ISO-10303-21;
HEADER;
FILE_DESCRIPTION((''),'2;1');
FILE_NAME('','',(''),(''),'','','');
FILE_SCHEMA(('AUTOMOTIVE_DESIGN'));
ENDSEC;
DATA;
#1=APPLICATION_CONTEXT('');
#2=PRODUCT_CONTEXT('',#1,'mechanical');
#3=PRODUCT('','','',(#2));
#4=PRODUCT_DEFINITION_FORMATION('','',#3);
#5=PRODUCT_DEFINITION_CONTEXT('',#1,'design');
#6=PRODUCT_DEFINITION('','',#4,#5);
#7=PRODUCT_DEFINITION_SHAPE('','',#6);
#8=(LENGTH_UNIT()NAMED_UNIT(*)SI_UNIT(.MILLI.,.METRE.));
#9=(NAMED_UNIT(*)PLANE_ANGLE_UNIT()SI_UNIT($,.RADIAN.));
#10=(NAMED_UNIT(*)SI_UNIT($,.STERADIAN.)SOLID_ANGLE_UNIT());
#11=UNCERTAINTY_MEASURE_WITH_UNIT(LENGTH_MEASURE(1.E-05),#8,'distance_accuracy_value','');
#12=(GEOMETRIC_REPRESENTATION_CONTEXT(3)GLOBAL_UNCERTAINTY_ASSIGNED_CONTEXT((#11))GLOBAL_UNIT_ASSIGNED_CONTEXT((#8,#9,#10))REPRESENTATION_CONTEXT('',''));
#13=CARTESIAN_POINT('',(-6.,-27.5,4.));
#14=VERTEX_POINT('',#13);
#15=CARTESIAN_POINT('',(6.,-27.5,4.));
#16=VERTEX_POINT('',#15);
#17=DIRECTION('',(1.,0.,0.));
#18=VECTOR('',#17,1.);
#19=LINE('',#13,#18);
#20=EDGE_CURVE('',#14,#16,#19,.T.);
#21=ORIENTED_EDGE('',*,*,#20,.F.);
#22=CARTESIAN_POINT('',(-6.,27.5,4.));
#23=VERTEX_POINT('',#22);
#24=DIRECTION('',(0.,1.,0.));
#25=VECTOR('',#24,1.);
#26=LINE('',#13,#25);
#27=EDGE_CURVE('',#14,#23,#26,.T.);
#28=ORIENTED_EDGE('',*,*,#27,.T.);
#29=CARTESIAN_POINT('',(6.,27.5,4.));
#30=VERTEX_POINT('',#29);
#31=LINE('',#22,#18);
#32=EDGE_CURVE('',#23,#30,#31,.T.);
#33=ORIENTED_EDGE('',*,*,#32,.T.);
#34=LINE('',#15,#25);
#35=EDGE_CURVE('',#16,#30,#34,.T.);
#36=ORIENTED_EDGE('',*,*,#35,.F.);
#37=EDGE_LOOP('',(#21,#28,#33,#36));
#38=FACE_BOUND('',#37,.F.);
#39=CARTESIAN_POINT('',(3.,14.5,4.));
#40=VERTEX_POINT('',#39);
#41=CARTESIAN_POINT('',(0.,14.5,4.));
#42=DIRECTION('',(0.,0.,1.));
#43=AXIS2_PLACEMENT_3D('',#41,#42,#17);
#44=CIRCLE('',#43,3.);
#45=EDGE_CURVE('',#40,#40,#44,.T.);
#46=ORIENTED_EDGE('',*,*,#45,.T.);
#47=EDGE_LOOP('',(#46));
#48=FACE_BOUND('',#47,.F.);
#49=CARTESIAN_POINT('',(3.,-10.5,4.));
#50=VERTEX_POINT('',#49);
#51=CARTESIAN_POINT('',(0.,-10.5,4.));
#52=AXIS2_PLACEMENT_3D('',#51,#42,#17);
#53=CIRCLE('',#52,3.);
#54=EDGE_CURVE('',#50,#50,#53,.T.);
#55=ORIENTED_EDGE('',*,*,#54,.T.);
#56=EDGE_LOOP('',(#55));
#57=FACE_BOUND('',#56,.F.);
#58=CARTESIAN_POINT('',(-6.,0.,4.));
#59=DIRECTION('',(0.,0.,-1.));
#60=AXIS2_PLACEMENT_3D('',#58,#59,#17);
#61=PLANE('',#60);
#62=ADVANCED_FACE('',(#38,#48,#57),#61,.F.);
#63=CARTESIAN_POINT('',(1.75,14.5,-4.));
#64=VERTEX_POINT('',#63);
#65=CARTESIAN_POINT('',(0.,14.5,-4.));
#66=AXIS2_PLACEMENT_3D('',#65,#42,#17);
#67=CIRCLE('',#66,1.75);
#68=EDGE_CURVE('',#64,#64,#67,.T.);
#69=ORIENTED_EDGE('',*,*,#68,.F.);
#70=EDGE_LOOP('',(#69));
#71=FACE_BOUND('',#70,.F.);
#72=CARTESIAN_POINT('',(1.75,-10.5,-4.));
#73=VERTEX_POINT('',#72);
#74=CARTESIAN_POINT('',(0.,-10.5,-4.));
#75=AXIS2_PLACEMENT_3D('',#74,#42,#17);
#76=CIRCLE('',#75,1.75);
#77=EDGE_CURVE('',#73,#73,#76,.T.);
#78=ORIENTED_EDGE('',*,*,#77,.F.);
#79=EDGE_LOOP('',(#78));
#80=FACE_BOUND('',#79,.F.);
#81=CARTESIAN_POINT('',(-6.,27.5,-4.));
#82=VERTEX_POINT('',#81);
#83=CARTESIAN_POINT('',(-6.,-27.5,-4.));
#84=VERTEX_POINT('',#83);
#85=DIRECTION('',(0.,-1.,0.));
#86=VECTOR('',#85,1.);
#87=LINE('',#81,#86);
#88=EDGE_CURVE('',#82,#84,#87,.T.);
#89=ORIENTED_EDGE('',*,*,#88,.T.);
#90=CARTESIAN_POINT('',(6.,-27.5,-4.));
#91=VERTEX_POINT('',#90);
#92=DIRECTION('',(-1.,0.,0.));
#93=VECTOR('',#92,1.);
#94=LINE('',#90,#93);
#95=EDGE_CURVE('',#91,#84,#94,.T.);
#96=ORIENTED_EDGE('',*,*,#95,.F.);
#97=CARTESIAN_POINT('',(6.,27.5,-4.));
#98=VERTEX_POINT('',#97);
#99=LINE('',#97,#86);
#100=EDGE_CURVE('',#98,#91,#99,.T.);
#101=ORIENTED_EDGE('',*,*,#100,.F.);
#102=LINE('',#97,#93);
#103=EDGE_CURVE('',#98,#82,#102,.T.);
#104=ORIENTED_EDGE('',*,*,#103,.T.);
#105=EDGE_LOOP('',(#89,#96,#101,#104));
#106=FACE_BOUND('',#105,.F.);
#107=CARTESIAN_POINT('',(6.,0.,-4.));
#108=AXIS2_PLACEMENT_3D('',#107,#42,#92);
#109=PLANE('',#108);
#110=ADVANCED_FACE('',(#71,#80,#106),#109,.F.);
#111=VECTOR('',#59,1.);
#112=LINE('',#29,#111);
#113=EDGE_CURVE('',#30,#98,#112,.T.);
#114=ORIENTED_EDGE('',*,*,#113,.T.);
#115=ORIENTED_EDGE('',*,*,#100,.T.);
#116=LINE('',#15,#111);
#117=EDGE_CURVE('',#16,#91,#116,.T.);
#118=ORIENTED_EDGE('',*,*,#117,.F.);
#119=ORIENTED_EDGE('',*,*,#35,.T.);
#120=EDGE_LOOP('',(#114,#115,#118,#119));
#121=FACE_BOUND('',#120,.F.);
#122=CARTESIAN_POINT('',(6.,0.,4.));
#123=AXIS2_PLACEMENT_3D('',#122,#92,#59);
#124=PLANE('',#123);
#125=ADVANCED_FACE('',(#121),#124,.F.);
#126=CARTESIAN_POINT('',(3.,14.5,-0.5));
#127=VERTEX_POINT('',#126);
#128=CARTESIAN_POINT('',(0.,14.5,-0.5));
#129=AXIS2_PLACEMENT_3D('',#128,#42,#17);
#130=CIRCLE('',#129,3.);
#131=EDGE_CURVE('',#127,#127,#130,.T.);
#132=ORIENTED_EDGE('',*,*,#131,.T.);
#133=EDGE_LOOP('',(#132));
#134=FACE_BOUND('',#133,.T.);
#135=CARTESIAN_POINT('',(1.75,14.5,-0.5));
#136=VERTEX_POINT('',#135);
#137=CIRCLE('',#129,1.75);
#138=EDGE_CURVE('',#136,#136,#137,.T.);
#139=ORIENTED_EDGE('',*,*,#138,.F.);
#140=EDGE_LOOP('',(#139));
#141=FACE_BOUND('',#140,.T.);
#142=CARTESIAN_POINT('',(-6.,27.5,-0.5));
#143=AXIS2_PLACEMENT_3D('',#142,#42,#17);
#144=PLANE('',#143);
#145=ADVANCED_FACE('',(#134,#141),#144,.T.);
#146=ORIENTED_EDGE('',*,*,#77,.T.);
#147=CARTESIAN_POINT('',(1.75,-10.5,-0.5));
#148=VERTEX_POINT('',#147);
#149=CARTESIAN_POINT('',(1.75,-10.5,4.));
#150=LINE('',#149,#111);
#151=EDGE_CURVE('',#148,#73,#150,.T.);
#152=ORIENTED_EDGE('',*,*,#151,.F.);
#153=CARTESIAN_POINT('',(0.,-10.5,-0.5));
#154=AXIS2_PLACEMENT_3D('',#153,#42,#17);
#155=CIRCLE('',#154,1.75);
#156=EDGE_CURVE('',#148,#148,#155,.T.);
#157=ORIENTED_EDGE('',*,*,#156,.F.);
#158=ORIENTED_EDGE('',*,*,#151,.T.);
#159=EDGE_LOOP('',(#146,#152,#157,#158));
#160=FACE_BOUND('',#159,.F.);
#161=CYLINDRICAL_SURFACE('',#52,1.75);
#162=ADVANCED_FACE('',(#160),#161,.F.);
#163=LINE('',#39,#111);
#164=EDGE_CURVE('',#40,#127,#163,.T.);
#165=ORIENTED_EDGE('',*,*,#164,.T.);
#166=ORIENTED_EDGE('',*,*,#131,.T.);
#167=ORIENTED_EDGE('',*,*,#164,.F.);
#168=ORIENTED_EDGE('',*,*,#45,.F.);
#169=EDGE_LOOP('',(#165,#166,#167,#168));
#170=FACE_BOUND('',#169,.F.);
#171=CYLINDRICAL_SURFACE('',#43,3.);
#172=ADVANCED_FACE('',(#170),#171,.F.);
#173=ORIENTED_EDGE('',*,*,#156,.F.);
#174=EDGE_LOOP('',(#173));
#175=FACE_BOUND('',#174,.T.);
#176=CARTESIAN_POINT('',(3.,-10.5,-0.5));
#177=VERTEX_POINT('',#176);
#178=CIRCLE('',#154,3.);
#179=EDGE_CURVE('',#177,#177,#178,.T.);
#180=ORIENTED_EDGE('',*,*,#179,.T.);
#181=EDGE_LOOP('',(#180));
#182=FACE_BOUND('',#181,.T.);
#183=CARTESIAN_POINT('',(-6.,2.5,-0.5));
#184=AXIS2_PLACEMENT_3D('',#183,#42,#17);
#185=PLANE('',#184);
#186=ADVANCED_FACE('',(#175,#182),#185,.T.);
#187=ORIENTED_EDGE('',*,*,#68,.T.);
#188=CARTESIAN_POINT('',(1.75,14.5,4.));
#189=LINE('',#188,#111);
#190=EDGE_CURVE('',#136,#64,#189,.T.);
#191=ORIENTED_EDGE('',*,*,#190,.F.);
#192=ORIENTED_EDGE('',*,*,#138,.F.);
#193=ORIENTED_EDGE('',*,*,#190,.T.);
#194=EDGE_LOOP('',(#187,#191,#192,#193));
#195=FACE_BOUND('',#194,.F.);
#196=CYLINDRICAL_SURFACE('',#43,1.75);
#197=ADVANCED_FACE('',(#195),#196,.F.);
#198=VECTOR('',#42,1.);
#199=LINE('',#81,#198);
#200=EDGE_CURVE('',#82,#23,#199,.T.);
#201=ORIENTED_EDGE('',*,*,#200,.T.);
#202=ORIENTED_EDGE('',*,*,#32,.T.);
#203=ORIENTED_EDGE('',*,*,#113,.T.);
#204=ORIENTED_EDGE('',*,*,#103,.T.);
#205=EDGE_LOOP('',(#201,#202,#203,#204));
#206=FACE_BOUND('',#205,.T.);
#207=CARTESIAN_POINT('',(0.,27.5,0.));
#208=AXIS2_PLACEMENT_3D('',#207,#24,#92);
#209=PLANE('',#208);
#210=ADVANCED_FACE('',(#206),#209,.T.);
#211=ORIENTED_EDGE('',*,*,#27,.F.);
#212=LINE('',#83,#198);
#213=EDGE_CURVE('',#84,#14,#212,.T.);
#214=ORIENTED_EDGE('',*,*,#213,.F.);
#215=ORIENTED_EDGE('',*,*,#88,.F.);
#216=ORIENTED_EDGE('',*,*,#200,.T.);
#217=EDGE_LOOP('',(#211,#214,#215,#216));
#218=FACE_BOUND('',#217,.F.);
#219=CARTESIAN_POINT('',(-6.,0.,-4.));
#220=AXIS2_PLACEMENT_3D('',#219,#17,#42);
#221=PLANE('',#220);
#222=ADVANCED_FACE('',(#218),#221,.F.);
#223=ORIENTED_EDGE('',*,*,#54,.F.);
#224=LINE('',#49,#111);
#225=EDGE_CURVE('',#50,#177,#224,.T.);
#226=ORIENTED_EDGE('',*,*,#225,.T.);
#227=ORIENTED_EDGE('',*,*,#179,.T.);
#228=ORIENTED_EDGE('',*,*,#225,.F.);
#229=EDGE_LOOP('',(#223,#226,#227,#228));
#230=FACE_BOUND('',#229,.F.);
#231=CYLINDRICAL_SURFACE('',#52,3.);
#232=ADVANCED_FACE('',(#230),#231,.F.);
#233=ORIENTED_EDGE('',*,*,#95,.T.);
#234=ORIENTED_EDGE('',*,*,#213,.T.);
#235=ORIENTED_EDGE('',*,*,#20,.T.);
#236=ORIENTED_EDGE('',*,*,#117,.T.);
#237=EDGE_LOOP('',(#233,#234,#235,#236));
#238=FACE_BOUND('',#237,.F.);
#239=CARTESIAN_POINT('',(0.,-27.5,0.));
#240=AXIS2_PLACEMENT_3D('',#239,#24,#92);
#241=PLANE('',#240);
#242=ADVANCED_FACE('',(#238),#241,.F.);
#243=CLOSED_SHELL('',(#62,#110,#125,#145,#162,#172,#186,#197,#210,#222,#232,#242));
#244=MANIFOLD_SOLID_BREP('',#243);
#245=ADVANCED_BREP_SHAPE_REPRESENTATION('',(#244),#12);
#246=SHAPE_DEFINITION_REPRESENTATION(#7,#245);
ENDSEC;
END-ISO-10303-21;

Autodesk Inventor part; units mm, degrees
sketch "Эскиз1" plane through (0, 0, 0) normal (0, 1, 0) x (-1, 0, 0)
  line L0 (6, 4) -> (-6, 4)
  line L1 (-6, 4) -> (-6, -4)
  line L2 (-6, -4) -> (6, -4)
  line L3 (6, -4) -> (6, 4)
  line L4 (6, 4) -> (-6, -4) construction
  line L5 (-6, 4) -> (6, -4) construction
  point P0 (0, 0)
  dimension "d0" = 12
  dimension "d1" = 8
extrude "Выдавливание1" add sketch "Эскиз1" along normal mid plane 55
sketch "Эскиз2" plane through (-6, 27.5, 4) normal (0, 0, 1) x (1, 0, 0)
  circle A0 centre (6, -13) radius 1.75
  line L0 (0, 0) -> (12, 0) projected
  line L1 (6, 11) -> (6, -66) construction
  point P0 (6, -27.5)
  dimension "d4" = 13
  dimension "d5" = 3.5
extrude "Выдавливание2" cut sketch "Эскиз2" against normal up to next
sketch "Эскиз3" plane through (-6, 27.5, 4) normal (0, 0, 1) x (1, 0, 0)
  circle A0 centre (6, -13) radius 1.75 projected
  circle A1 centre (6, -13) radius 3
  point P0 (6, -27.5)
  dimension "d8" = 6
extrude "Выдавливание3" cut sketch "Эскиз3" against normal blind 4.5
pattern_linear "Прямоуг.массив1" count 2 spacing 25 along (0, -1, 0) of "Выдавливание3", "Выдавливание2"
properties part number "Направляющая"
